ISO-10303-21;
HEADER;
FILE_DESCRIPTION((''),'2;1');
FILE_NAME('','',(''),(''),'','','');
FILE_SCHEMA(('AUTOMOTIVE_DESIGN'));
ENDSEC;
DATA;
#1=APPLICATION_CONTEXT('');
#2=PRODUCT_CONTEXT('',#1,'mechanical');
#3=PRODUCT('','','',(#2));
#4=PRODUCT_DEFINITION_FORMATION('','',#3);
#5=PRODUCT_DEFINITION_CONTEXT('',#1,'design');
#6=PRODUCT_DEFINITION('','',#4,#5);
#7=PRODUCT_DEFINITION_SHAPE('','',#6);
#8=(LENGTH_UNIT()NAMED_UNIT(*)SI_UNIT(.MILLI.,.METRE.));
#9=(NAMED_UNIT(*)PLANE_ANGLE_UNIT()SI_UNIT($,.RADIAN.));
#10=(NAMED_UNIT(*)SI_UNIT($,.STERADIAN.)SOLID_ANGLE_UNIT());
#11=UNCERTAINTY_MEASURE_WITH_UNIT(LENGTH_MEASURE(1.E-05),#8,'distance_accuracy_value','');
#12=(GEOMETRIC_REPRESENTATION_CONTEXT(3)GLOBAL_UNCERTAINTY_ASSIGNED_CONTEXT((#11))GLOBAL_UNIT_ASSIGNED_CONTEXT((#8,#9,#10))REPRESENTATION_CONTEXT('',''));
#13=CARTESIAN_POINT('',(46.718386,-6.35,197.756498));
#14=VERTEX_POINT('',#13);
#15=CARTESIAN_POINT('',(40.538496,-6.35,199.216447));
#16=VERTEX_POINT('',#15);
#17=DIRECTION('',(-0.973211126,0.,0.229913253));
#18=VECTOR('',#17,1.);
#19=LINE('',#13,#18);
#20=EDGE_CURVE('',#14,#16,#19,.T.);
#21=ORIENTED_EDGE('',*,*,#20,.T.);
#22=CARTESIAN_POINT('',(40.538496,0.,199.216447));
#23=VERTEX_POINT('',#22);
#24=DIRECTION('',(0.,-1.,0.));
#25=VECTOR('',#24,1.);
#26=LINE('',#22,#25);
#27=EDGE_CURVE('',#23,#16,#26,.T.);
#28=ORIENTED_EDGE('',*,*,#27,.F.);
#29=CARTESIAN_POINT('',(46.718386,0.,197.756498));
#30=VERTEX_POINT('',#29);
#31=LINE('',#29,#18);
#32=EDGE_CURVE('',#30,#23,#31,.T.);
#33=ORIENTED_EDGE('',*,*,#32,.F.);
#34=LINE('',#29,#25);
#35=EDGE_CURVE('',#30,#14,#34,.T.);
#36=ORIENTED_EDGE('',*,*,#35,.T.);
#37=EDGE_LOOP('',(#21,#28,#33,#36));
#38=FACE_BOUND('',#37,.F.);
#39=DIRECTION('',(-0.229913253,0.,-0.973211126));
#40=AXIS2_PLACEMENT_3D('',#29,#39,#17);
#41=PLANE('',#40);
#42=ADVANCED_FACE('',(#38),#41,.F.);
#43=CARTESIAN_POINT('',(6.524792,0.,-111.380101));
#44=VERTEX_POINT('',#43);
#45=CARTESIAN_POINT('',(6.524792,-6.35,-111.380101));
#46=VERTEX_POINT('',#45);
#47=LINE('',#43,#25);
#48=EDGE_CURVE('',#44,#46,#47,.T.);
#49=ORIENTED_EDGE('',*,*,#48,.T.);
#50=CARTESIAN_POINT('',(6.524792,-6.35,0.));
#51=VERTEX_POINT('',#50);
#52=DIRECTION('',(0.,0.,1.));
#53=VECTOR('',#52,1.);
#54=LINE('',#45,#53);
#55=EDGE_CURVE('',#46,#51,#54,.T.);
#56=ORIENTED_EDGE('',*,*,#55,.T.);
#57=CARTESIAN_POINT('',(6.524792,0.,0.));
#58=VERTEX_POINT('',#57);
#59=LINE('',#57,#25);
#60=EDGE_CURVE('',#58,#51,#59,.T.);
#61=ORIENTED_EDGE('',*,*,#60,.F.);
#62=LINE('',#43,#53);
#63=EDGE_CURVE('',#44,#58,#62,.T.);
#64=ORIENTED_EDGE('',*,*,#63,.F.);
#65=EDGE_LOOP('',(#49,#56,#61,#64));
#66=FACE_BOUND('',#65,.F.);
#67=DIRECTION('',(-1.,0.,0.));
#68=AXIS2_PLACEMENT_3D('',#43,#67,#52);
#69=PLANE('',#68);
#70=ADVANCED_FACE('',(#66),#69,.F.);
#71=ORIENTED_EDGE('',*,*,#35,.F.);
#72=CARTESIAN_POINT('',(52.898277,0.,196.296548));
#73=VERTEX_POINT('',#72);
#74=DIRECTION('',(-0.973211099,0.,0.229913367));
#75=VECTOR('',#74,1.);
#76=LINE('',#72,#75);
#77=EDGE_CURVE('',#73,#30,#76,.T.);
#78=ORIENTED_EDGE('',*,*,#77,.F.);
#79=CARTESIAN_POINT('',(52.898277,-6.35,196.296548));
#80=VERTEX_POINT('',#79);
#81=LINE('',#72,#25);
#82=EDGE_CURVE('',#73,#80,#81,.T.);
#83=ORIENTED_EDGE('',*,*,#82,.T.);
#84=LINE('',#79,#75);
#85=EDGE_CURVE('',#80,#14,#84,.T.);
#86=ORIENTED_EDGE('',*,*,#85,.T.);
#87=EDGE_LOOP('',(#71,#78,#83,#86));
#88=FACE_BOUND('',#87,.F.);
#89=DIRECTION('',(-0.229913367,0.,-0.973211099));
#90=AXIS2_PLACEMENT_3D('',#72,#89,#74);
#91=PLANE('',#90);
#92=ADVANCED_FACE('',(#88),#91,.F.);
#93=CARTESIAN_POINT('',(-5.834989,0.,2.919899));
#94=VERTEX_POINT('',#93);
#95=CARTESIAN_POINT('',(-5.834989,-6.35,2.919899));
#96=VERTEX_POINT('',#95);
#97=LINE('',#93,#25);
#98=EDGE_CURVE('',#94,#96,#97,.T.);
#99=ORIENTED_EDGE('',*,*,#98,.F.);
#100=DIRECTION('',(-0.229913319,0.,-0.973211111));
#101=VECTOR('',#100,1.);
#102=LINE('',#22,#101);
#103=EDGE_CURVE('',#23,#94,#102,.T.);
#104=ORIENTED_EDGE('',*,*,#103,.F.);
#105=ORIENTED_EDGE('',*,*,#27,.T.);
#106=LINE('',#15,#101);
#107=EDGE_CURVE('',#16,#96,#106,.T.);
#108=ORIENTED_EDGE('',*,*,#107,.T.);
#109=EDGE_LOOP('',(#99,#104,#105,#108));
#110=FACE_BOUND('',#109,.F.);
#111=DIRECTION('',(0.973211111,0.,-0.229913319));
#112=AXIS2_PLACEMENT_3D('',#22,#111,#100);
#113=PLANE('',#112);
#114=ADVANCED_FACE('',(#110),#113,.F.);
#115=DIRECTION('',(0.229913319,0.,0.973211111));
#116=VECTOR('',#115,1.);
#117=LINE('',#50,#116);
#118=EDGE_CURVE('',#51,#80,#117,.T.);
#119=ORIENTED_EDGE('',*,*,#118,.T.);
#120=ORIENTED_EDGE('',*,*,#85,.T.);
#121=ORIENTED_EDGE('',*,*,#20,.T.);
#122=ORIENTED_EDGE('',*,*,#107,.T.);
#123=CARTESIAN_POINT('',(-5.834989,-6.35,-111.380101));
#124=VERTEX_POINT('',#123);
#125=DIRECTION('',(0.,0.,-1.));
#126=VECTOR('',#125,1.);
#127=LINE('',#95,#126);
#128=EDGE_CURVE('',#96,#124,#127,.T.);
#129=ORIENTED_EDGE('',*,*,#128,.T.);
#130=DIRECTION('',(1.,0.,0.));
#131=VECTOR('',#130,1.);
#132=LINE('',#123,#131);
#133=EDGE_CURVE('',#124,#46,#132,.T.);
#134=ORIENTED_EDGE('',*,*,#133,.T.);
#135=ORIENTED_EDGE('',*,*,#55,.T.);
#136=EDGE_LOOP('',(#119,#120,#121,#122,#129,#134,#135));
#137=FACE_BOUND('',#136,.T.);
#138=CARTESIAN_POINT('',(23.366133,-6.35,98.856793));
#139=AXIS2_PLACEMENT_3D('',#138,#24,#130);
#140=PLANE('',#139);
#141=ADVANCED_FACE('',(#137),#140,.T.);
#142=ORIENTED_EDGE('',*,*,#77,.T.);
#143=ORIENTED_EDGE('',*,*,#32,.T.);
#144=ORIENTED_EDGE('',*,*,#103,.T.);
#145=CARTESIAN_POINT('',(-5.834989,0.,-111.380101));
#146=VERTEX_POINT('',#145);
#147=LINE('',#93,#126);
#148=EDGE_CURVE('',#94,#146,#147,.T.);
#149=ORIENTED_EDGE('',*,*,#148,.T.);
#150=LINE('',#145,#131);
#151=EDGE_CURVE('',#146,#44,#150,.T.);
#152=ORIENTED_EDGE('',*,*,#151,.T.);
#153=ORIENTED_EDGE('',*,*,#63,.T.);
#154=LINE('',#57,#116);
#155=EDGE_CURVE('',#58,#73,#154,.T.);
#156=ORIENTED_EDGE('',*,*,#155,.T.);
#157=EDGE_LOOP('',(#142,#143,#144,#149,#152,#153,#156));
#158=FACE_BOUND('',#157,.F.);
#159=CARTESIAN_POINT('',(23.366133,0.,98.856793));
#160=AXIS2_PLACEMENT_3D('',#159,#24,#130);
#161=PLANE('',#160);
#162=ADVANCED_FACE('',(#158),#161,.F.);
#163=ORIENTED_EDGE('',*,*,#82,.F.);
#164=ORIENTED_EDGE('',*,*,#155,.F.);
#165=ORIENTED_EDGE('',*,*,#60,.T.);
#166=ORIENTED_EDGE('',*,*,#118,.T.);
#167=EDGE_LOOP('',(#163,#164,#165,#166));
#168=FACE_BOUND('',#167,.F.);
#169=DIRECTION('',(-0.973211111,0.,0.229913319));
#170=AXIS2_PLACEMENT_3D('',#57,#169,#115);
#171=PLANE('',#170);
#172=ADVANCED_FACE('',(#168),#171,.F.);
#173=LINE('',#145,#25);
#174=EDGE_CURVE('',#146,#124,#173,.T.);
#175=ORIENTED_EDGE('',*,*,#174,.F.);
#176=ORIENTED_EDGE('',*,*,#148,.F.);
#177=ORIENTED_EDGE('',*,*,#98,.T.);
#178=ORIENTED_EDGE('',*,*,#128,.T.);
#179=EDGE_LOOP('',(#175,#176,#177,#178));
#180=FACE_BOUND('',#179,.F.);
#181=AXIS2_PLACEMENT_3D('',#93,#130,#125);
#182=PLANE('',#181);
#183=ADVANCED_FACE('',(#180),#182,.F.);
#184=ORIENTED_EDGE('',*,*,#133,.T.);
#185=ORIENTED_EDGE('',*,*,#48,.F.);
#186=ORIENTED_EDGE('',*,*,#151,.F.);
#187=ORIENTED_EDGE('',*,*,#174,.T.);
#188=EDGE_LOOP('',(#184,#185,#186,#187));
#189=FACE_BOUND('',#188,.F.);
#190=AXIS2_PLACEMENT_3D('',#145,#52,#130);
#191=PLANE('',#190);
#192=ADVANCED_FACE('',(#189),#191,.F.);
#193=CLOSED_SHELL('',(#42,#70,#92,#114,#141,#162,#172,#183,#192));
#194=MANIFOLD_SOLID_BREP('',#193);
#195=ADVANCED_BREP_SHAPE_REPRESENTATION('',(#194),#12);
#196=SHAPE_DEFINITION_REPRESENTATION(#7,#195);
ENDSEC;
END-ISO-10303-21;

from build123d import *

# Parameters (mm, degrees)
F1_DEPTH = 6.35


with BuildPart() as f1:
    # F0 (on Front) → F1 (new body)
    with BuildSketch(Plane.XZ):
        Polygon((52.898277, 196.296548), (46.718386, 197.756498), (40.538496, 199.216447), (-5.834989, 2.919899), (-5.834989, 1.378469), (0, 0), (6.524792, -1.54143), (6.524792, 0), align=None)
        Polygon((0, 0), (-5.834989, 1.378469), (-5.834989, -111.380101), (6.524792, -111.380101), (6.524792, -1.54143), align=None)
    extrude(amount=F1_DEPTH)


solid = f1.part
